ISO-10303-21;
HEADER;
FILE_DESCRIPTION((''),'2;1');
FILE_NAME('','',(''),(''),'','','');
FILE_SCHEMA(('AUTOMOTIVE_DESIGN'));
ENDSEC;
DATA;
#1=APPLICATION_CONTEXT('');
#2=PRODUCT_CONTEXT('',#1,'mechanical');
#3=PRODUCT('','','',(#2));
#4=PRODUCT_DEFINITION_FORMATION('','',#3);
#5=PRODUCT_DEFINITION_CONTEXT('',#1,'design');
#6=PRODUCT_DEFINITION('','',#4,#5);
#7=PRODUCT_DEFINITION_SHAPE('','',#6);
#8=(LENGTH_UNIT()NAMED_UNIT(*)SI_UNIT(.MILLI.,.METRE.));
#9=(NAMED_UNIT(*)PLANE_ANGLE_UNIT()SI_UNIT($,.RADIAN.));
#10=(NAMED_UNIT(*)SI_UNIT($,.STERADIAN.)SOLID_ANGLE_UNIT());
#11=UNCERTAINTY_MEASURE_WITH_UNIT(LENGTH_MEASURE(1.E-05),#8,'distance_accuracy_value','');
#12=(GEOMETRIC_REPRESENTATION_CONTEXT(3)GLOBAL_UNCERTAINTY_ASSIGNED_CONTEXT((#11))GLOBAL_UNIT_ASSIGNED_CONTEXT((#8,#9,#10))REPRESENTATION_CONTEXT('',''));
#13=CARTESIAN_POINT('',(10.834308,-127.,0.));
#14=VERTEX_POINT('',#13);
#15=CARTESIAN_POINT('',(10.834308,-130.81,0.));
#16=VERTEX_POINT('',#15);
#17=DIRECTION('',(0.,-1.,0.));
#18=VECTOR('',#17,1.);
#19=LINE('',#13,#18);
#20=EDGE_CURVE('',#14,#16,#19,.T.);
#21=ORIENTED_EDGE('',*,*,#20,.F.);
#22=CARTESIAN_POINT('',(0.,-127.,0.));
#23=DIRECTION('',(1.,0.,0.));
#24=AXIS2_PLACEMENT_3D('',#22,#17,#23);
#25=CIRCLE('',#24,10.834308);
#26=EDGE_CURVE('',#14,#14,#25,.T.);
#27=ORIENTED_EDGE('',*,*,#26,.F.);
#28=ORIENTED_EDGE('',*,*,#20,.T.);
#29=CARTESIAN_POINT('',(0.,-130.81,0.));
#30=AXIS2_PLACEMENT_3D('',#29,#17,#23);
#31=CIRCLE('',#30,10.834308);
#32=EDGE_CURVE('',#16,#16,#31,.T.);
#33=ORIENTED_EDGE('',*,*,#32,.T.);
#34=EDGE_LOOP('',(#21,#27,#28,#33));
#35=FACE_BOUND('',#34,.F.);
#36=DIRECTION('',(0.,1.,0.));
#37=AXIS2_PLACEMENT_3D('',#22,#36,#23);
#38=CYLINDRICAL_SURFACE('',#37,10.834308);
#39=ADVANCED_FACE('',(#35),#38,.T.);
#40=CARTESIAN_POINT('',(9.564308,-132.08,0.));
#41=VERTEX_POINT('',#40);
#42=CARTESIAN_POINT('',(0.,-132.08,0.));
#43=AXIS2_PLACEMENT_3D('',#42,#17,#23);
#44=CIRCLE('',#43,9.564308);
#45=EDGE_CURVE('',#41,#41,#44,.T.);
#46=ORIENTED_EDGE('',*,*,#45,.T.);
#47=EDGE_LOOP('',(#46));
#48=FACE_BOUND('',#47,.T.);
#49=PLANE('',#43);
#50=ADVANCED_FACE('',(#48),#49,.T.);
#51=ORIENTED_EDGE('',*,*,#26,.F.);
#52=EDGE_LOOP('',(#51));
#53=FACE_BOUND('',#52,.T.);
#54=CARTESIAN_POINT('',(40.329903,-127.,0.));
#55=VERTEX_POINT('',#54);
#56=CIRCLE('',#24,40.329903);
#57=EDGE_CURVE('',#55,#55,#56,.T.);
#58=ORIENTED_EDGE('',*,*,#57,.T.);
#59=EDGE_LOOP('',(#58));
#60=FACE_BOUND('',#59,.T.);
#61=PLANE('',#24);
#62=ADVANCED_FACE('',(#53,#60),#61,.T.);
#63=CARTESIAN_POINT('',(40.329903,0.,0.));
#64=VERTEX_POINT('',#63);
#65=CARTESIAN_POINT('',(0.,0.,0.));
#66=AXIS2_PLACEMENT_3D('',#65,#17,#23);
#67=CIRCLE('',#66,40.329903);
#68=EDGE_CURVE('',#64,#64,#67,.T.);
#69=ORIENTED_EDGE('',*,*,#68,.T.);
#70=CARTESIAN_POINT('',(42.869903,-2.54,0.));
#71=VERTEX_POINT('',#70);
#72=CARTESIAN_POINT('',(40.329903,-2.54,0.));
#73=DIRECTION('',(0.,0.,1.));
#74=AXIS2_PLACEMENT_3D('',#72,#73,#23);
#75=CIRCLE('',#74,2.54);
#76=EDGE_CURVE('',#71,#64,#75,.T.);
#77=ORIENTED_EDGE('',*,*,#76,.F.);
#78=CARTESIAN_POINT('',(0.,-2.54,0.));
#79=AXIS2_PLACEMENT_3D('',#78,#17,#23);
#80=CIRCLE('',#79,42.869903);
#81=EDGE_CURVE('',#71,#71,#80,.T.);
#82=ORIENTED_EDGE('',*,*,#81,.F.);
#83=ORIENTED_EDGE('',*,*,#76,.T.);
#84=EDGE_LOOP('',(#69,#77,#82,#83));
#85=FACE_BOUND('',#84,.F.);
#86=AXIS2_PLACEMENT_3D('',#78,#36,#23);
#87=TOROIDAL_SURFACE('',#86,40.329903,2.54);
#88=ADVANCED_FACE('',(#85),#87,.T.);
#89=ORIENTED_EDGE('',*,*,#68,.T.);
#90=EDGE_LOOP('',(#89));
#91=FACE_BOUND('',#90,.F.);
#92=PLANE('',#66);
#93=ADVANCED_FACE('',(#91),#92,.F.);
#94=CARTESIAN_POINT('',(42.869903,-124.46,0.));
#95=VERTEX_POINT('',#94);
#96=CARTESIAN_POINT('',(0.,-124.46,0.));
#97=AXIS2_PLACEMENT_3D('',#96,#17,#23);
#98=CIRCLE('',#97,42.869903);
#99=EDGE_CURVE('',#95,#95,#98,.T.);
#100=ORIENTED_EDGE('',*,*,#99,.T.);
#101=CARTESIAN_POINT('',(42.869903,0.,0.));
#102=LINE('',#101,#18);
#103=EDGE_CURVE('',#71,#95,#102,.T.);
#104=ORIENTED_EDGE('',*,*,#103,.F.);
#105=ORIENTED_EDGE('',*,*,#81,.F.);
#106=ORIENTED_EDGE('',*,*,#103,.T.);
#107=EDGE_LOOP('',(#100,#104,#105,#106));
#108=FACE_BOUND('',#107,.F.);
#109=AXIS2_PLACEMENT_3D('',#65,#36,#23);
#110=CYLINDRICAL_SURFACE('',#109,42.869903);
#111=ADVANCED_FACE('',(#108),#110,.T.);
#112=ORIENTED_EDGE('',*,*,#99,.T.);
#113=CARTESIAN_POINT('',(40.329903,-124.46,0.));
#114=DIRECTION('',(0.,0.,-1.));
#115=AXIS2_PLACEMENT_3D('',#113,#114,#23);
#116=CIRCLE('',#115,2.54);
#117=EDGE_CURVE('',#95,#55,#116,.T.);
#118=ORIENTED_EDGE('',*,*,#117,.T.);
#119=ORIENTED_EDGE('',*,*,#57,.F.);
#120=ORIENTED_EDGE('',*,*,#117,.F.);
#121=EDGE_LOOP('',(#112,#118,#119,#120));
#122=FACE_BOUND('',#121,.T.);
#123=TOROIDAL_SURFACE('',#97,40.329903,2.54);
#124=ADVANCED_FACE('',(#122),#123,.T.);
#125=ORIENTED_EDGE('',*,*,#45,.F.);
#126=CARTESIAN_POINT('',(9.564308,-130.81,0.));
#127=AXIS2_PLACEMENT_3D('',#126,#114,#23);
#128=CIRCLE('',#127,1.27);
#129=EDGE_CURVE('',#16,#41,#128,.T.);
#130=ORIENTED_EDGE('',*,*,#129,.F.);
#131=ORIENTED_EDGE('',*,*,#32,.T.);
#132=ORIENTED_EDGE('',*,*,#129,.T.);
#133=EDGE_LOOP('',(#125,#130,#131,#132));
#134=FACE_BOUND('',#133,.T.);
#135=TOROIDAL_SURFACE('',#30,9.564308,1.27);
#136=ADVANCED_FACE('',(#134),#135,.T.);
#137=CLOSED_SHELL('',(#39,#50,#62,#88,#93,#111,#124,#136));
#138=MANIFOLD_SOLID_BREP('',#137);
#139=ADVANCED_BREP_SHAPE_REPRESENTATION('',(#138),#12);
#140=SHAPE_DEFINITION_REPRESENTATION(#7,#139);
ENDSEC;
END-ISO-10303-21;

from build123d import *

# Parameters (mm, degrees)
F0_R     = 42.869903
F1_DEPTH = 127
F2_R     = 2.54
F3_R     = 10.834308
F4_DEPTH = 5.08
F5_R     = 1.27


with BuildPart() as f1:
    # F0 (on Front) → F1 (new body)
    with BuildSketch(Plane.XZ):
        Circle(F0_R)
    extrude(amount=F1_DEPTH)

    # F2
    f2_edges = [f1.edges().sort_by_distance(p)[0] for p in [
        (42.869903, -63.5, 0),
        (-42.869903, 0, 0),
        (-42.869903, -127, 0),
    ]]
    fillet(f2_edges, radius=F2_R)

    # F3 (on face) → F4 (join)
    with BuildSketch(Plane.XZ.offset(127)):
        Circle(F3_R)
    extrude(amount=F4_DEPTH)

    # F5
    f5_edges = [f1.edges().sort_by_distance(p)[0] for p in [
        (-10.834308, -132.08, 0),
    ]]
    fillet(f5_edges, radius=F5_R)


solid = f1.part
